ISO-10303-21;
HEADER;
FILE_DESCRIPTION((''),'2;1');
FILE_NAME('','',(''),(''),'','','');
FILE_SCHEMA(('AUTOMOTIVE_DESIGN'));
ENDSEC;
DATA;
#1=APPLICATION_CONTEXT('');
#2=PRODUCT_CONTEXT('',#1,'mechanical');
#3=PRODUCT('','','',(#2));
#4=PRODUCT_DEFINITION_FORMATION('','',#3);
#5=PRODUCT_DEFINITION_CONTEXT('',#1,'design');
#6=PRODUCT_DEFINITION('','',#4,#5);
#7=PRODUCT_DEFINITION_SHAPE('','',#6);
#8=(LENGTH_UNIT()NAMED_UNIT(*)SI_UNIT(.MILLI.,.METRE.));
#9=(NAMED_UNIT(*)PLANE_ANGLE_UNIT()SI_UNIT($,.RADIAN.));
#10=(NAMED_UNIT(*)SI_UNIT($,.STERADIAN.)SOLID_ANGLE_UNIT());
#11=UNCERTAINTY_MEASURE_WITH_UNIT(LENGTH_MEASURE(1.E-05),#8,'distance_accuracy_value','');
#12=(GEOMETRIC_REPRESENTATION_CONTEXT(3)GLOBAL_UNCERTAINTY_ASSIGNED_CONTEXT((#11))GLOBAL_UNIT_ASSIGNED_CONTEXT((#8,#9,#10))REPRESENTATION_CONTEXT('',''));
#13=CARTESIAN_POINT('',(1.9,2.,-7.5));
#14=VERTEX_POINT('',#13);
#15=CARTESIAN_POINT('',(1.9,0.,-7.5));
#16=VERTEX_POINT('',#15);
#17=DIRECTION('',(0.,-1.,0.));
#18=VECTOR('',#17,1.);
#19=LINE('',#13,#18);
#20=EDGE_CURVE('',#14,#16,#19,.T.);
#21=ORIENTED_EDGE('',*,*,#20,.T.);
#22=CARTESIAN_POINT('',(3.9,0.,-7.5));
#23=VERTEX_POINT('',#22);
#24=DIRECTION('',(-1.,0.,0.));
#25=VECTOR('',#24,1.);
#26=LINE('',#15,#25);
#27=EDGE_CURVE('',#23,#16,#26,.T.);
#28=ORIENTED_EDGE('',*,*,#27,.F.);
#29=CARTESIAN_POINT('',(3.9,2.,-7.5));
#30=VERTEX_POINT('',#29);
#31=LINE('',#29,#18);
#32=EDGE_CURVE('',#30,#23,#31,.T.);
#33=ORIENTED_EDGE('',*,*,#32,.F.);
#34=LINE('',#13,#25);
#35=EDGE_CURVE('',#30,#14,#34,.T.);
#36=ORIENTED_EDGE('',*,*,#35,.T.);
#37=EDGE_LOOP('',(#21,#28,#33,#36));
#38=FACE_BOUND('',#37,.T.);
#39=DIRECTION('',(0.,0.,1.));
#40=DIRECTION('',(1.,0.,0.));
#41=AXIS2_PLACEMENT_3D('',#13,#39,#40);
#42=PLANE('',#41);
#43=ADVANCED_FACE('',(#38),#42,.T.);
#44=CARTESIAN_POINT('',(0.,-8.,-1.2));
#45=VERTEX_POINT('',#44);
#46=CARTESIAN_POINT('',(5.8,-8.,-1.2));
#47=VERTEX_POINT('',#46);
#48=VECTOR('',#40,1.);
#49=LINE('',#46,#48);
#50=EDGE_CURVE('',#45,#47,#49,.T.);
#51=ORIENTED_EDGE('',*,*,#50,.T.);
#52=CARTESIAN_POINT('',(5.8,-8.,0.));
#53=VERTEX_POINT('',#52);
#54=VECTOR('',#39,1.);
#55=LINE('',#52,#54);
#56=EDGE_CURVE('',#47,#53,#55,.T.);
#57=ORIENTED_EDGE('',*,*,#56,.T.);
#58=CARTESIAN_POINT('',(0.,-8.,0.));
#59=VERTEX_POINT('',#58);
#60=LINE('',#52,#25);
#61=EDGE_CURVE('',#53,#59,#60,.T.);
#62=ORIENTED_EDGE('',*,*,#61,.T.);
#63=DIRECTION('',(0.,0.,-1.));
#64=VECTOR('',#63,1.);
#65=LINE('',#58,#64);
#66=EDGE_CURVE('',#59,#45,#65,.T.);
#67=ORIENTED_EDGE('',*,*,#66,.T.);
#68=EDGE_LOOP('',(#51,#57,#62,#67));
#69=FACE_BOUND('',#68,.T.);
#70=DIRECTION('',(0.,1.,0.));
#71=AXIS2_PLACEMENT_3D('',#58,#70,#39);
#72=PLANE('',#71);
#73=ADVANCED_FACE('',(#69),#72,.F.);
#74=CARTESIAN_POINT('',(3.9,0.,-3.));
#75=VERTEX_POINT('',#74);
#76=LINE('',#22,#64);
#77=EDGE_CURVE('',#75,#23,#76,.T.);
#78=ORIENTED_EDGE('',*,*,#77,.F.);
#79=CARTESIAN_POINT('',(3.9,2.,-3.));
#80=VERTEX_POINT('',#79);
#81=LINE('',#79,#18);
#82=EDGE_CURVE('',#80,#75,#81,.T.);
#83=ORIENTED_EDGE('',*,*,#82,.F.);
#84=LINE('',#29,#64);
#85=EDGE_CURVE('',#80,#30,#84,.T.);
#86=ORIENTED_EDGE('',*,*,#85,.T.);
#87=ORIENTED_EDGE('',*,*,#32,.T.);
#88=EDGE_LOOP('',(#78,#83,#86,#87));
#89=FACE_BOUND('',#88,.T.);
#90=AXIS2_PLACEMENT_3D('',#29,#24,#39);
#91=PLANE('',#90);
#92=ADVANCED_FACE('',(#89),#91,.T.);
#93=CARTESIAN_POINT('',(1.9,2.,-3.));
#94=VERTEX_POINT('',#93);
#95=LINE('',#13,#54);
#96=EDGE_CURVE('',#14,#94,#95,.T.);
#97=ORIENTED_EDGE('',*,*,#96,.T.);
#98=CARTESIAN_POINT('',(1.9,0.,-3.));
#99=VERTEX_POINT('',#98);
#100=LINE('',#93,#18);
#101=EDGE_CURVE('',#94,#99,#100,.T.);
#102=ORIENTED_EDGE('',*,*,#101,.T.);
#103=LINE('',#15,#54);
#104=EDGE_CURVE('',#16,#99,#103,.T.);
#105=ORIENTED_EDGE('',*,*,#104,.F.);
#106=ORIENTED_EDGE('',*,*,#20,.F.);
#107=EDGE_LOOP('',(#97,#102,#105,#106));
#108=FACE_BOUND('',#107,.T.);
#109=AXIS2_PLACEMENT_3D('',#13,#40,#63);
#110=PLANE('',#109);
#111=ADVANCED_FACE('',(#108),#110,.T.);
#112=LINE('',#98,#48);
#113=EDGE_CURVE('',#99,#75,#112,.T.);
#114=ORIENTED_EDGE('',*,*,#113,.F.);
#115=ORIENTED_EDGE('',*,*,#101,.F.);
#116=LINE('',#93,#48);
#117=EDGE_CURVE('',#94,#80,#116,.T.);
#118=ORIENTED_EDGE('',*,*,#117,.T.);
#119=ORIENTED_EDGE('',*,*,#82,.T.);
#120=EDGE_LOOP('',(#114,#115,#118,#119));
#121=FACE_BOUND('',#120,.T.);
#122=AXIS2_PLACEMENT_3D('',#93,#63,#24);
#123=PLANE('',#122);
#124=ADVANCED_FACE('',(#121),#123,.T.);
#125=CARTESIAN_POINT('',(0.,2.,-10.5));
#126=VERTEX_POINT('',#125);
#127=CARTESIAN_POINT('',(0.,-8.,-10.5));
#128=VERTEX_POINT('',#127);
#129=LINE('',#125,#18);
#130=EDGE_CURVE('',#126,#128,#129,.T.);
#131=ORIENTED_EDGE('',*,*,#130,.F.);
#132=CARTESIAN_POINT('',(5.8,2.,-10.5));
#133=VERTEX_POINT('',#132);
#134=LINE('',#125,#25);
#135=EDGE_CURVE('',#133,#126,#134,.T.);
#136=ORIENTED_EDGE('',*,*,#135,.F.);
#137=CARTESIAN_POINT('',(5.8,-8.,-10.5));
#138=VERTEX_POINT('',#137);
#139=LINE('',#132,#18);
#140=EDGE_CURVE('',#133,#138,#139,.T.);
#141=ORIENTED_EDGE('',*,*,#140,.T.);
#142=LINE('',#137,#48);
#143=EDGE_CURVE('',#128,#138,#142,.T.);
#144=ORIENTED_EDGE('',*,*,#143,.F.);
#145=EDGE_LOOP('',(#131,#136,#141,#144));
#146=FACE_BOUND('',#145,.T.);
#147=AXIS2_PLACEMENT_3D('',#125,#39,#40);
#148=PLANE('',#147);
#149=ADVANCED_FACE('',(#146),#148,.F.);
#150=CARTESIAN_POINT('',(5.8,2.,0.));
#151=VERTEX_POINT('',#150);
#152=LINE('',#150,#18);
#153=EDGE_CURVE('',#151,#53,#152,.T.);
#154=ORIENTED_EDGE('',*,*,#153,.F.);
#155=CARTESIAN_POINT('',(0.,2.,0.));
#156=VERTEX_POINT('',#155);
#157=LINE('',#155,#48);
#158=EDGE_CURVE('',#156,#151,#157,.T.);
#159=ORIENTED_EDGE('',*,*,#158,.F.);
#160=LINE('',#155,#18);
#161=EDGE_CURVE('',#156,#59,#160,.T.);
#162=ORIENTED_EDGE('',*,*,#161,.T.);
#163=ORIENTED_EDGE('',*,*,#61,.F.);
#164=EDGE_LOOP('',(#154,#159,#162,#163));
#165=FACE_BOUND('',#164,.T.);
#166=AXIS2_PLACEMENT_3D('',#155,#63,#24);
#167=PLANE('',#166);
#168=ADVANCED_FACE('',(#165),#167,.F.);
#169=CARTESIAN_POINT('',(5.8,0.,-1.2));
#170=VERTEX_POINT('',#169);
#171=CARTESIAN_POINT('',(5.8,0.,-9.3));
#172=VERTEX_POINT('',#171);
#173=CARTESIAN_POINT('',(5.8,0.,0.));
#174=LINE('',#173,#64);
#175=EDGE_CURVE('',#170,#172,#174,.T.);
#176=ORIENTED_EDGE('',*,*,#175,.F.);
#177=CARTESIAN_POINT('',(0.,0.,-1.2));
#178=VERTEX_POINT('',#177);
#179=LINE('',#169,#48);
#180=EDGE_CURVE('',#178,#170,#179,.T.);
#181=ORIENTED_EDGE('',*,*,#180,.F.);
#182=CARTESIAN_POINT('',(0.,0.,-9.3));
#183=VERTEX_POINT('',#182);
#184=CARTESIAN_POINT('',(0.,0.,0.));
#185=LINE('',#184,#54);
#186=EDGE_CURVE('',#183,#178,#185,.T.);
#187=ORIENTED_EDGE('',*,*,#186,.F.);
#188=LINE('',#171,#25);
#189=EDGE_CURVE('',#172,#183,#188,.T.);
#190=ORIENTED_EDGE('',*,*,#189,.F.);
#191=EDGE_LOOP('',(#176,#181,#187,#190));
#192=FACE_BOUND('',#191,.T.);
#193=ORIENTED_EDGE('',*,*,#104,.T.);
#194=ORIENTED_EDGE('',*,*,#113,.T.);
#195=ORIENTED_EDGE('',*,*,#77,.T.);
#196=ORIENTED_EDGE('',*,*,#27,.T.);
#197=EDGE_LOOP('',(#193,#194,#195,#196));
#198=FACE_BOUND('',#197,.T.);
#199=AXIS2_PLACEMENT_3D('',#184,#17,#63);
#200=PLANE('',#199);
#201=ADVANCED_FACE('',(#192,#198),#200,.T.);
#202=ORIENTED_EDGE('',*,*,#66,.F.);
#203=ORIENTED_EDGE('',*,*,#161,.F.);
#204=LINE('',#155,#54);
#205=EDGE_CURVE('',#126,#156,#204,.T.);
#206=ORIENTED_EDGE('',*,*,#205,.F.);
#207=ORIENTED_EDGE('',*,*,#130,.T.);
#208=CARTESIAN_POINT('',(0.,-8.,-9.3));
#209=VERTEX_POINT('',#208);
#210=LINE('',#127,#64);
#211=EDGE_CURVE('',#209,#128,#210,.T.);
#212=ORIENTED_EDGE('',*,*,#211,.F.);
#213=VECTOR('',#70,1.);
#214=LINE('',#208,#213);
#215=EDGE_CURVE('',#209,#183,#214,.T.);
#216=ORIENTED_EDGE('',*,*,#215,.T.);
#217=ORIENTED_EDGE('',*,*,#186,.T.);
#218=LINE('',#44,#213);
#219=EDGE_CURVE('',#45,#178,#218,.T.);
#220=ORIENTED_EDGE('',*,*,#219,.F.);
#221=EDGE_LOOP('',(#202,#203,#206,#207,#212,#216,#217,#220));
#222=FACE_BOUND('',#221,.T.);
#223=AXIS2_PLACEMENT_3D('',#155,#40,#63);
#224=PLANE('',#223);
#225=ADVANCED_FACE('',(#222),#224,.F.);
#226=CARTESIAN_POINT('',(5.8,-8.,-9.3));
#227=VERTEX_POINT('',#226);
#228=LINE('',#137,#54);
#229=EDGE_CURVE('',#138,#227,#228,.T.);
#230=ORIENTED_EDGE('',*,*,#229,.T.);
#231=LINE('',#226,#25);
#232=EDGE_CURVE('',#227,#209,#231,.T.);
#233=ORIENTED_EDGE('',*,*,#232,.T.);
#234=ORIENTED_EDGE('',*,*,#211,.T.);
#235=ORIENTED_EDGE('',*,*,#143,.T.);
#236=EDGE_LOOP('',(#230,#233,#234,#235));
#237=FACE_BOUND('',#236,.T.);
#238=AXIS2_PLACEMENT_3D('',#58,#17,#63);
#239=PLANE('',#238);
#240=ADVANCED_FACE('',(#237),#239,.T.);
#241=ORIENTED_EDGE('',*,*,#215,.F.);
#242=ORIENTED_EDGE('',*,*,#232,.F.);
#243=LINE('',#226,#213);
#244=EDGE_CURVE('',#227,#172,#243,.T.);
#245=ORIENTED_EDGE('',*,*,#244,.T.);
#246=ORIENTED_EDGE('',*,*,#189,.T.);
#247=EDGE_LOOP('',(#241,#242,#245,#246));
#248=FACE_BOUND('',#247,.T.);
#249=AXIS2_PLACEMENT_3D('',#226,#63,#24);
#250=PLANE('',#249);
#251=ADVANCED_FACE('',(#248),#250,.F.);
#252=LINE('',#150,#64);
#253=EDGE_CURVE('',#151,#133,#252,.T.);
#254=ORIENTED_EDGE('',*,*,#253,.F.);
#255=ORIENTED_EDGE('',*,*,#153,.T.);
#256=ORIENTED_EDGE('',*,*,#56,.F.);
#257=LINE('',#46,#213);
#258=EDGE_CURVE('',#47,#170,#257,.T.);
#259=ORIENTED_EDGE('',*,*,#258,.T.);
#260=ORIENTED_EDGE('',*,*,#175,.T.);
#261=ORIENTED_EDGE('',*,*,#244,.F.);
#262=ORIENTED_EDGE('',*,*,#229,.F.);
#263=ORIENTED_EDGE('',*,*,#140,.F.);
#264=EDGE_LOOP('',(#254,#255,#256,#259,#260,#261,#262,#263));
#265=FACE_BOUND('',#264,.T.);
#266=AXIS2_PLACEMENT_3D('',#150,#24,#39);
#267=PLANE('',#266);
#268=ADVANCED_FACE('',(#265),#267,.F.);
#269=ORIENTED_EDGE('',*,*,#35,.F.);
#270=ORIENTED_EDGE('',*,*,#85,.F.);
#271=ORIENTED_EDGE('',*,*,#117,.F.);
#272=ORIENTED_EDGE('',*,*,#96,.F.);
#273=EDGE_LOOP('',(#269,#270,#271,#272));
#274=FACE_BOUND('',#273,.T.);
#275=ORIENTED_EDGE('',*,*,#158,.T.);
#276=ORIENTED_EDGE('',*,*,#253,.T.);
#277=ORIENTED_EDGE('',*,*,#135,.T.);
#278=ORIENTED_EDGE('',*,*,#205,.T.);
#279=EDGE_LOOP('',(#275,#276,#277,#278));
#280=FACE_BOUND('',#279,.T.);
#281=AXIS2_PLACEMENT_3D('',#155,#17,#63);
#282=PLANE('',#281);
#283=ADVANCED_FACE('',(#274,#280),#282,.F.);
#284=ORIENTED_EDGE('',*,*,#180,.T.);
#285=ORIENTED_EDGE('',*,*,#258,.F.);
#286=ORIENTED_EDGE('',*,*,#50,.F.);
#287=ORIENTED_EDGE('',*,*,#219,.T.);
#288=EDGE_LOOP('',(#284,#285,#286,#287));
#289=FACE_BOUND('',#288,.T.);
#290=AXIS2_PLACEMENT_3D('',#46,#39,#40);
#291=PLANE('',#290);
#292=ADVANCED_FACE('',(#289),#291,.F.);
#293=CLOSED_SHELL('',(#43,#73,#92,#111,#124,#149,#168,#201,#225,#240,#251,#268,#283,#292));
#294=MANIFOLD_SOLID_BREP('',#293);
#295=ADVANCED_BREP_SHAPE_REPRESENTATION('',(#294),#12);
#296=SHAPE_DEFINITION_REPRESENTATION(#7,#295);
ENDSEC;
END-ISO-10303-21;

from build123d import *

# Parameters (mm, degrees)
CROQUIS1_W              = 5.8
CROQUIS1_H              = 10.5
CROQUIS1_W_2            = 2
CROQUIS1_H_2            = 4.5
SALIENTE_EXTRUIR1_DEPTH = 2
CROQUIS2_W              = 5.8
CROQUIS2_H              = 1.2
SALIENTE_EXTRUIR2_DEPTH = 8


with BuildPart() as part:
    # Croquis1 → Saliente-Extruir1 (new body)
    with BuildSketch(Plane(origin=(0, 0, 0), x_dir=(1, 0, 0), z_dir=(0, 1, 0))):
        with Locations((2.9, 5.25)):
            Rectangle(CROQUIS1_W, CROQUIS1_H)
        with Locations((2.9, 5.25)):
            Rectangle(CROQUIS1_W_2, CROQUIS1_H_2, mode=Mode.SUBTRACT)
    extrude(amount=SALIENTE_EXTRUIR1_DEPTH)

    # Croquis2 → Saliente-Extruir2 (add)
    with BuildSketch(Plane(origin=(0, 0, 0), x_dir=(-1, 0, 0), z_dir=(0, -1, 0))):
        with Locations((-2.9, 9.9)):
            Rectangle(CROQUIS2_W, CROQUIS2_H)
        with Locations((-2.9, 0.6)):
            Rectangle(CROQUIS2_W, CROQUIS2_H)
    extrude(amount=SALIENTE_EXTRUIR2_DEPTH)


solid = part.part
